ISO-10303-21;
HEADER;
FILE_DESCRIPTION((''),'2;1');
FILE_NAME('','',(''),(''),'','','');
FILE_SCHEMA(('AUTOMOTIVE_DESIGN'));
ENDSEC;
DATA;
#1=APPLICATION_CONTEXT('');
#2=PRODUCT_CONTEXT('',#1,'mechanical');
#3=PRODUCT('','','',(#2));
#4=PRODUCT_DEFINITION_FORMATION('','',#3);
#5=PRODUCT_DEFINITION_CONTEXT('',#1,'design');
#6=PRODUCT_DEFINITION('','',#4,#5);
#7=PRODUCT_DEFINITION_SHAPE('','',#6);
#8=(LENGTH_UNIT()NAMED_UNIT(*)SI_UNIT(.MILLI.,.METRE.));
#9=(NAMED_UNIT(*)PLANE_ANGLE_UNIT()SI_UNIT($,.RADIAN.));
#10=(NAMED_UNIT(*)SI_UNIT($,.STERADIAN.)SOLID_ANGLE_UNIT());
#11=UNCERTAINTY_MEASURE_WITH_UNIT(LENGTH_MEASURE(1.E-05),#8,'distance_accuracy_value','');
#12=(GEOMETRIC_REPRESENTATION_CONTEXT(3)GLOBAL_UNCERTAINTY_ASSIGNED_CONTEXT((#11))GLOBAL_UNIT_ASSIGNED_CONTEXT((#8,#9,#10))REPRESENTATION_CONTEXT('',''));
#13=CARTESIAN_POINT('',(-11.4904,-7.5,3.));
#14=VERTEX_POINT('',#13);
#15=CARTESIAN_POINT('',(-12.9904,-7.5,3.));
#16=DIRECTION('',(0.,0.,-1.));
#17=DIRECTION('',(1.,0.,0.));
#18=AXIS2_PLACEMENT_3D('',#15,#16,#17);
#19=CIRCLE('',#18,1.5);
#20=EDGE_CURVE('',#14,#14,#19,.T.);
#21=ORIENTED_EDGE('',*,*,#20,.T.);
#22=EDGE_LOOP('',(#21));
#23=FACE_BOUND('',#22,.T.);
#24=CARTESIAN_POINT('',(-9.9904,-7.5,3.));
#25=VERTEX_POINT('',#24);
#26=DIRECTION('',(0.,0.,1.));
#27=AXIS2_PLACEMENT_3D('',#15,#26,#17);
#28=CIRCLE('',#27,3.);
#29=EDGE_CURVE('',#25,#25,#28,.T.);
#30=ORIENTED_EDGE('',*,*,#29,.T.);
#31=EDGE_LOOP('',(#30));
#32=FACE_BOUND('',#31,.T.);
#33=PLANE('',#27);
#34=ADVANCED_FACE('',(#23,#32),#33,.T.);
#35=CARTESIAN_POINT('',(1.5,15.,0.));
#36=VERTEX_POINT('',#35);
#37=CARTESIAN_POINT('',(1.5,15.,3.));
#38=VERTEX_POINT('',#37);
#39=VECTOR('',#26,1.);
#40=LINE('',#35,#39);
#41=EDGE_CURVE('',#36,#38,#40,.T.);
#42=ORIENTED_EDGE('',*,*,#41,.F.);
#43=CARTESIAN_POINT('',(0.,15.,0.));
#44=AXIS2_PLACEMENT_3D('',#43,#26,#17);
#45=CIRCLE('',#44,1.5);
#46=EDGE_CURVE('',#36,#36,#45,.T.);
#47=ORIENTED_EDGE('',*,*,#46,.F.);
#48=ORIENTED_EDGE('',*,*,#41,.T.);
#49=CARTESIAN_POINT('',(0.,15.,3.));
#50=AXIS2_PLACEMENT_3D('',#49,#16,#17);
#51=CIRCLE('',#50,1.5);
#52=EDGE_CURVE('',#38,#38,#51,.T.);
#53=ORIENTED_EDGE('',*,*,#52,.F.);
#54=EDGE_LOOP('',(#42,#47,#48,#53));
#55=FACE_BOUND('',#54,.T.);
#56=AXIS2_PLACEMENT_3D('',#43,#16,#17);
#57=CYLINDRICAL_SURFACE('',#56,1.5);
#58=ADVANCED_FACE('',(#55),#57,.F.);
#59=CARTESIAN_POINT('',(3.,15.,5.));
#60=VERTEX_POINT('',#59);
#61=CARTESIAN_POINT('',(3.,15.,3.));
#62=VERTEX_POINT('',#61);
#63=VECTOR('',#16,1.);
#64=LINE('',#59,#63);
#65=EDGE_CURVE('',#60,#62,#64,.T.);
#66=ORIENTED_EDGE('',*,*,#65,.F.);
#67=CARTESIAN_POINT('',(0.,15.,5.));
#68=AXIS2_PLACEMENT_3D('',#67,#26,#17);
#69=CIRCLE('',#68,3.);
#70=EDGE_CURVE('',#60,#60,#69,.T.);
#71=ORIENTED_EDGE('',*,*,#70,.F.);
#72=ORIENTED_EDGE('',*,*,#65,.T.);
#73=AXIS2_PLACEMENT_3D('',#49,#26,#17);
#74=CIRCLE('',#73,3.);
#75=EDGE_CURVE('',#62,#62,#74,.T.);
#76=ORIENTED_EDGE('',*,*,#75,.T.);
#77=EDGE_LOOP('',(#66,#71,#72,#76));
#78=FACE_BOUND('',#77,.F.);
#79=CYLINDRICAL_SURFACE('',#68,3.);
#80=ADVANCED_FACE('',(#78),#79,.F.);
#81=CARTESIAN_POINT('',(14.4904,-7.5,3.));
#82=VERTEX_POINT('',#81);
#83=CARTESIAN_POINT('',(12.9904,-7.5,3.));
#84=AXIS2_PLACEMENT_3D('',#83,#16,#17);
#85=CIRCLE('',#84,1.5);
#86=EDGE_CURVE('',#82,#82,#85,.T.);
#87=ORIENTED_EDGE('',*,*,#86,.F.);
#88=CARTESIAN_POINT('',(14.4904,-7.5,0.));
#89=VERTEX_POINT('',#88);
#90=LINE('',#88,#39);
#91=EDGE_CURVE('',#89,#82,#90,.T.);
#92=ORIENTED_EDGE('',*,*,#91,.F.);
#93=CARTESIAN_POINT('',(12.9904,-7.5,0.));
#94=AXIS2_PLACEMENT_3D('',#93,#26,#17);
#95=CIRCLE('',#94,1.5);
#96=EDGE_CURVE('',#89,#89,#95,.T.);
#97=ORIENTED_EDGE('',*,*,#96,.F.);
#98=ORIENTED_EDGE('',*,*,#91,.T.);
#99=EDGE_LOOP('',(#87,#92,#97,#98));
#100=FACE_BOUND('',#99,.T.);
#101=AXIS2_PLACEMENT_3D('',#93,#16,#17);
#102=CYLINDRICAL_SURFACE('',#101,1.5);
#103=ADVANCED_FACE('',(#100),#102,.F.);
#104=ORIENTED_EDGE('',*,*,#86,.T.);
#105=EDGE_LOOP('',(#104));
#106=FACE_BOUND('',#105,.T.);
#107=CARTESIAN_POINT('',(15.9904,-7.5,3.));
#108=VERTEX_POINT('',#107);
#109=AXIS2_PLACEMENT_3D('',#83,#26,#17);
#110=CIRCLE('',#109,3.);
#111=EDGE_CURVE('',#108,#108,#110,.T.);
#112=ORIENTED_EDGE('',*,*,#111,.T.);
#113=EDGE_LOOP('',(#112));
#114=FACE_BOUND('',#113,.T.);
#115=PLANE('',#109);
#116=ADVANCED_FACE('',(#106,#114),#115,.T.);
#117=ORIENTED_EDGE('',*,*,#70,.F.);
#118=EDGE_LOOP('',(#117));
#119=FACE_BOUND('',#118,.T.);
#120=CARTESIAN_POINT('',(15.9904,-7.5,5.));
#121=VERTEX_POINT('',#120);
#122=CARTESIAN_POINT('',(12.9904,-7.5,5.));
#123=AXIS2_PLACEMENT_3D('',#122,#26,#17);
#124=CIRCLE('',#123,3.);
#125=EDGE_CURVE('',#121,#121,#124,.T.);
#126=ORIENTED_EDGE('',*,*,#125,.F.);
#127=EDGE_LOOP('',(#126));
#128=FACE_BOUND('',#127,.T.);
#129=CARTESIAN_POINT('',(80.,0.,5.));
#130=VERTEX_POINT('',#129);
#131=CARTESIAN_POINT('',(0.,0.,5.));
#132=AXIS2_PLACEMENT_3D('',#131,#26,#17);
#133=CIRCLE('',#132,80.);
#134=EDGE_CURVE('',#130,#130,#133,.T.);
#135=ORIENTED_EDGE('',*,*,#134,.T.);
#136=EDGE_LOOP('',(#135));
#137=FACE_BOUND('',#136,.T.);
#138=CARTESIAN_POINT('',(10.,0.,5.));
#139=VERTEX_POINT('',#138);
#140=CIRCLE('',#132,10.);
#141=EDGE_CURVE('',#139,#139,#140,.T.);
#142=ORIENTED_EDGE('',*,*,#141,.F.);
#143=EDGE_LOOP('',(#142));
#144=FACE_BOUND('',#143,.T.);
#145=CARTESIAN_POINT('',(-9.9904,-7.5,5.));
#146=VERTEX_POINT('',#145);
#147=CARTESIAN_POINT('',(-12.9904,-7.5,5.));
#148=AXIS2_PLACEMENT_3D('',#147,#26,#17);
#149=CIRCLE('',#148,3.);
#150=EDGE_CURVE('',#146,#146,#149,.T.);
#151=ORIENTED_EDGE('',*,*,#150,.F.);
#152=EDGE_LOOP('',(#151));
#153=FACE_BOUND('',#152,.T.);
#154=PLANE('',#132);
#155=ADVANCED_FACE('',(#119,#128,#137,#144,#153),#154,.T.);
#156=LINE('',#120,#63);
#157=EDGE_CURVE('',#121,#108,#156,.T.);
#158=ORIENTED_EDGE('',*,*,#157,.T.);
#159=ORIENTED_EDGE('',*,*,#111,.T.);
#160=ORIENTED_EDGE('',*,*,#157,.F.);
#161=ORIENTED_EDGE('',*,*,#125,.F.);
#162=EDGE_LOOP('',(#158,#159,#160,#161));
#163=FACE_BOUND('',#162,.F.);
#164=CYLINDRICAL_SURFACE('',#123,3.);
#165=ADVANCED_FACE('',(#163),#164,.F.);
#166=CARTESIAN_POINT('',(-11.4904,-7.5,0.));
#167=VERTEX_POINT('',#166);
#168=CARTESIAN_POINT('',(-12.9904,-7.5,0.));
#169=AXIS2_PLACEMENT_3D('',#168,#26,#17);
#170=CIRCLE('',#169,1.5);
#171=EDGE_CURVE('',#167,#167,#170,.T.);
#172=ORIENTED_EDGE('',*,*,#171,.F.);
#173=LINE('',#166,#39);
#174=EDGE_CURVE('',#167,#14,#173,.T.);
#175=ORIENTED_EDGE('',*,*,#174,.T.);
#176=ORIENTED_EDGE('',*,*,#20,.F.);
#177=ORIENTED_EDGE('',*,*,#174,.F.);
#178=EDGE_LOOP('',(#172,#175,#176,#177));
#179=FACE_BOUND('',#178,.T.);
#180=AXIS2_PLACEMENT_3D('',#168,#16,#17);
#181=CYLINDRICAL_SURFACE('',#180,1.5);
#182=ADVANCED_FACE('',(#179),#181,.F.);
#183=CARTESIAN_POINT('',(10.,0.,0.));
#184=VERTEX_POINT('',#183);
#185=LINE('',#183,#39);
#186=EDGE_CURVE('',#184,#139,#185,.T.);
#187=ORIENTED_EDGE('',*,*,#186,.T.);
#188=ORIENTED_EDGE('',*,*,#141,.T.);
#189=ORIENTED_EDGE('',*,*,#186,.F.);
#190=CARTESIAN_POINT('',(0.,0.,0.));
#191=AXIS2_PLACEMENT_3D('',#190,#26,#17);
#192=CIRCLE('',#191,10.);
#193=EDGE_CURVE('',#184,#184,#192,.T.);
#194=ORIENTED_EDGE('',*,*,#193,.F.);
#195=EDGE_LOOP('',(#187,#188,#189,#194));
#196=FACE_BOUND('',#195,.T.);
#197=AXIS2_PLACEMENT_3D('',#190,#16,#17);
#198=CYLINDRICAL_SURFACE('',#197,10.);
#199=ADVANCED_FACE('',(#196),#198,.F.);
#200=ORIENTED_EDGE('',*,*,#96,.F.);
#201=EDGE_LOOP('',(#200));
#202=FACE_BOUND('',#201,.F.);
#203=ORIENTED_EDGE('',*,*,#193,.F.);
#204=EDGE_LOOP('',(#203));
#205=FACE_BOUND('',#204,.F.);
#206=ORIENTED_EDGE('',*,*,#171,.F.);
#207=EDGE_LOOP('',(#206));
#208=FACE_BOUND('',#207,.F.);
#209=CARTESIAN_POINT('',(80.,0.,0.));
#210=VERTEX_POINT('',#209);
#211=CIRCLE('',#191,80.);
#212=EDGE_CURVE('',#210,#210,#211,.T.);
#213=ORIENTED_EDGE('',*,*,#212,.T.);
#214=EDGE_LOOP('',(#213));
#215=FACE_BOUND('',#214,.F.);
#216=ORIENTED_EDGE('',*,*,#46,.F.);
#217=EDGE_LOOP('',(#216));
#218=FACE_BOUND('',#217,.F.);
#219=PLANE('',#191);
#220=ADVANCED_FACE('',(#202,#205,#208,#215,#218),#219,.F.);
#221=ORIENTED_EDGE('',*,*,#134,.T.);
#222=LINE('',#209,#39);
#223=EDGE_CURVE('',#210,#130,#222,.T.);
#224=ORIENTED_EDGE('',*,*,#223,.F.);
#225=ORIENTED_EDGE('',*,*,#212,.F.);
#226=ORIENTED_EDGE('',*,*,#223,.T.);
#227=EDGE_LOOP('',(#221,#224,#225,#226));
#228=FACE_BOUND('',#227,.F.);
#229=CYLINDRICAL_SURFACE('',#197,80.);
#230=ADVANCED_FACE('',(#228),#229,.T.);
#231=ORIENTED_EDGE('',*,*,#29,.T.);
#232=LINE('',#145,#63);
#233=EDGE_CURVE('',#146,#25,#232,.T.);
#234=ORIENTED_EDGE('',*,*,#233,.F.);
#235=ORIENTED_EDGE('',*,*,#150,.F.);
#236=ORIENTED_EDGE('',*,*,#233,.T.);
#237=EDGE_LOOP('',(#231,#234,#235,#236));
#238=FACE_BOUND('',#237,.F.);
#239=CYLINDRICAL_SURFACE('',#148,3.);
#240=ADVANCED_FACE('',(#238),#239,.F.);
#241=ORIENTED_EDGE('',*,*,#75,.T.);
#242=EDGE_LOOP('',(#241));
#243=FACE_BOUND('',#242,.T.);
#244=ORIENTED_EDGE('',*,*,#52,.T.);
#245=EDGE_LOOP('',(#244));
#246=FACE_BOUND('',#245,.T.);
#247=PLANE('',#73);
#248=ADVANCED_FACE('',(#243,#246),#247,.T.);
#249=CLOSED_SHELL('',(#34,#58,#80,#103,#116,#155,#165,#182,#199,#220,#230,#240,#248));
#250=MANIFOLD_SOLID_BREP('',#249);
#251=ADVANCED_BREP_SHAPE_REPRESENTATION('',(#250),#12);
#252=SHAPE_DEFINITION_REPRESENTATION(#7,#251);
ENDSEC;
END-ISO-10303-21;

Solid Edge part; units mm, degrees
sketch "Sketch1" plane through (0, 0, 0) normal (0, 0, 1) x (1, 0, 0)
  circle A0 centre (0, 0) radius 10
  circle A1 centre (-12.9904, -7.5) radius 1.5
  circle A2 centre (0, 15) radius 1.5
  circle A3 centre (12.9904, -7.5) radius 1.5
  circle A4 centre (0, 0) radius 80
extrude "Protrusion1" add sketch "Sketch1" along normal blind 5
sketch "Sketch2" plane through (0, 0, 5) normal (0, 0, 1) x (1, 0, 0)
  circle A0 centre (0, 15) radius 3
  circle A1 centre (-12.9904, -7.5) radius 3
  circle A2 centre (12.9904, -7.5) radius 3
  dimension "D1" = 6
extrude "ExtrudedCutout_1" cut sketch "Sketch2" against normal blind 2
extrude "ExtrudedCutout_2" [suppressed]
